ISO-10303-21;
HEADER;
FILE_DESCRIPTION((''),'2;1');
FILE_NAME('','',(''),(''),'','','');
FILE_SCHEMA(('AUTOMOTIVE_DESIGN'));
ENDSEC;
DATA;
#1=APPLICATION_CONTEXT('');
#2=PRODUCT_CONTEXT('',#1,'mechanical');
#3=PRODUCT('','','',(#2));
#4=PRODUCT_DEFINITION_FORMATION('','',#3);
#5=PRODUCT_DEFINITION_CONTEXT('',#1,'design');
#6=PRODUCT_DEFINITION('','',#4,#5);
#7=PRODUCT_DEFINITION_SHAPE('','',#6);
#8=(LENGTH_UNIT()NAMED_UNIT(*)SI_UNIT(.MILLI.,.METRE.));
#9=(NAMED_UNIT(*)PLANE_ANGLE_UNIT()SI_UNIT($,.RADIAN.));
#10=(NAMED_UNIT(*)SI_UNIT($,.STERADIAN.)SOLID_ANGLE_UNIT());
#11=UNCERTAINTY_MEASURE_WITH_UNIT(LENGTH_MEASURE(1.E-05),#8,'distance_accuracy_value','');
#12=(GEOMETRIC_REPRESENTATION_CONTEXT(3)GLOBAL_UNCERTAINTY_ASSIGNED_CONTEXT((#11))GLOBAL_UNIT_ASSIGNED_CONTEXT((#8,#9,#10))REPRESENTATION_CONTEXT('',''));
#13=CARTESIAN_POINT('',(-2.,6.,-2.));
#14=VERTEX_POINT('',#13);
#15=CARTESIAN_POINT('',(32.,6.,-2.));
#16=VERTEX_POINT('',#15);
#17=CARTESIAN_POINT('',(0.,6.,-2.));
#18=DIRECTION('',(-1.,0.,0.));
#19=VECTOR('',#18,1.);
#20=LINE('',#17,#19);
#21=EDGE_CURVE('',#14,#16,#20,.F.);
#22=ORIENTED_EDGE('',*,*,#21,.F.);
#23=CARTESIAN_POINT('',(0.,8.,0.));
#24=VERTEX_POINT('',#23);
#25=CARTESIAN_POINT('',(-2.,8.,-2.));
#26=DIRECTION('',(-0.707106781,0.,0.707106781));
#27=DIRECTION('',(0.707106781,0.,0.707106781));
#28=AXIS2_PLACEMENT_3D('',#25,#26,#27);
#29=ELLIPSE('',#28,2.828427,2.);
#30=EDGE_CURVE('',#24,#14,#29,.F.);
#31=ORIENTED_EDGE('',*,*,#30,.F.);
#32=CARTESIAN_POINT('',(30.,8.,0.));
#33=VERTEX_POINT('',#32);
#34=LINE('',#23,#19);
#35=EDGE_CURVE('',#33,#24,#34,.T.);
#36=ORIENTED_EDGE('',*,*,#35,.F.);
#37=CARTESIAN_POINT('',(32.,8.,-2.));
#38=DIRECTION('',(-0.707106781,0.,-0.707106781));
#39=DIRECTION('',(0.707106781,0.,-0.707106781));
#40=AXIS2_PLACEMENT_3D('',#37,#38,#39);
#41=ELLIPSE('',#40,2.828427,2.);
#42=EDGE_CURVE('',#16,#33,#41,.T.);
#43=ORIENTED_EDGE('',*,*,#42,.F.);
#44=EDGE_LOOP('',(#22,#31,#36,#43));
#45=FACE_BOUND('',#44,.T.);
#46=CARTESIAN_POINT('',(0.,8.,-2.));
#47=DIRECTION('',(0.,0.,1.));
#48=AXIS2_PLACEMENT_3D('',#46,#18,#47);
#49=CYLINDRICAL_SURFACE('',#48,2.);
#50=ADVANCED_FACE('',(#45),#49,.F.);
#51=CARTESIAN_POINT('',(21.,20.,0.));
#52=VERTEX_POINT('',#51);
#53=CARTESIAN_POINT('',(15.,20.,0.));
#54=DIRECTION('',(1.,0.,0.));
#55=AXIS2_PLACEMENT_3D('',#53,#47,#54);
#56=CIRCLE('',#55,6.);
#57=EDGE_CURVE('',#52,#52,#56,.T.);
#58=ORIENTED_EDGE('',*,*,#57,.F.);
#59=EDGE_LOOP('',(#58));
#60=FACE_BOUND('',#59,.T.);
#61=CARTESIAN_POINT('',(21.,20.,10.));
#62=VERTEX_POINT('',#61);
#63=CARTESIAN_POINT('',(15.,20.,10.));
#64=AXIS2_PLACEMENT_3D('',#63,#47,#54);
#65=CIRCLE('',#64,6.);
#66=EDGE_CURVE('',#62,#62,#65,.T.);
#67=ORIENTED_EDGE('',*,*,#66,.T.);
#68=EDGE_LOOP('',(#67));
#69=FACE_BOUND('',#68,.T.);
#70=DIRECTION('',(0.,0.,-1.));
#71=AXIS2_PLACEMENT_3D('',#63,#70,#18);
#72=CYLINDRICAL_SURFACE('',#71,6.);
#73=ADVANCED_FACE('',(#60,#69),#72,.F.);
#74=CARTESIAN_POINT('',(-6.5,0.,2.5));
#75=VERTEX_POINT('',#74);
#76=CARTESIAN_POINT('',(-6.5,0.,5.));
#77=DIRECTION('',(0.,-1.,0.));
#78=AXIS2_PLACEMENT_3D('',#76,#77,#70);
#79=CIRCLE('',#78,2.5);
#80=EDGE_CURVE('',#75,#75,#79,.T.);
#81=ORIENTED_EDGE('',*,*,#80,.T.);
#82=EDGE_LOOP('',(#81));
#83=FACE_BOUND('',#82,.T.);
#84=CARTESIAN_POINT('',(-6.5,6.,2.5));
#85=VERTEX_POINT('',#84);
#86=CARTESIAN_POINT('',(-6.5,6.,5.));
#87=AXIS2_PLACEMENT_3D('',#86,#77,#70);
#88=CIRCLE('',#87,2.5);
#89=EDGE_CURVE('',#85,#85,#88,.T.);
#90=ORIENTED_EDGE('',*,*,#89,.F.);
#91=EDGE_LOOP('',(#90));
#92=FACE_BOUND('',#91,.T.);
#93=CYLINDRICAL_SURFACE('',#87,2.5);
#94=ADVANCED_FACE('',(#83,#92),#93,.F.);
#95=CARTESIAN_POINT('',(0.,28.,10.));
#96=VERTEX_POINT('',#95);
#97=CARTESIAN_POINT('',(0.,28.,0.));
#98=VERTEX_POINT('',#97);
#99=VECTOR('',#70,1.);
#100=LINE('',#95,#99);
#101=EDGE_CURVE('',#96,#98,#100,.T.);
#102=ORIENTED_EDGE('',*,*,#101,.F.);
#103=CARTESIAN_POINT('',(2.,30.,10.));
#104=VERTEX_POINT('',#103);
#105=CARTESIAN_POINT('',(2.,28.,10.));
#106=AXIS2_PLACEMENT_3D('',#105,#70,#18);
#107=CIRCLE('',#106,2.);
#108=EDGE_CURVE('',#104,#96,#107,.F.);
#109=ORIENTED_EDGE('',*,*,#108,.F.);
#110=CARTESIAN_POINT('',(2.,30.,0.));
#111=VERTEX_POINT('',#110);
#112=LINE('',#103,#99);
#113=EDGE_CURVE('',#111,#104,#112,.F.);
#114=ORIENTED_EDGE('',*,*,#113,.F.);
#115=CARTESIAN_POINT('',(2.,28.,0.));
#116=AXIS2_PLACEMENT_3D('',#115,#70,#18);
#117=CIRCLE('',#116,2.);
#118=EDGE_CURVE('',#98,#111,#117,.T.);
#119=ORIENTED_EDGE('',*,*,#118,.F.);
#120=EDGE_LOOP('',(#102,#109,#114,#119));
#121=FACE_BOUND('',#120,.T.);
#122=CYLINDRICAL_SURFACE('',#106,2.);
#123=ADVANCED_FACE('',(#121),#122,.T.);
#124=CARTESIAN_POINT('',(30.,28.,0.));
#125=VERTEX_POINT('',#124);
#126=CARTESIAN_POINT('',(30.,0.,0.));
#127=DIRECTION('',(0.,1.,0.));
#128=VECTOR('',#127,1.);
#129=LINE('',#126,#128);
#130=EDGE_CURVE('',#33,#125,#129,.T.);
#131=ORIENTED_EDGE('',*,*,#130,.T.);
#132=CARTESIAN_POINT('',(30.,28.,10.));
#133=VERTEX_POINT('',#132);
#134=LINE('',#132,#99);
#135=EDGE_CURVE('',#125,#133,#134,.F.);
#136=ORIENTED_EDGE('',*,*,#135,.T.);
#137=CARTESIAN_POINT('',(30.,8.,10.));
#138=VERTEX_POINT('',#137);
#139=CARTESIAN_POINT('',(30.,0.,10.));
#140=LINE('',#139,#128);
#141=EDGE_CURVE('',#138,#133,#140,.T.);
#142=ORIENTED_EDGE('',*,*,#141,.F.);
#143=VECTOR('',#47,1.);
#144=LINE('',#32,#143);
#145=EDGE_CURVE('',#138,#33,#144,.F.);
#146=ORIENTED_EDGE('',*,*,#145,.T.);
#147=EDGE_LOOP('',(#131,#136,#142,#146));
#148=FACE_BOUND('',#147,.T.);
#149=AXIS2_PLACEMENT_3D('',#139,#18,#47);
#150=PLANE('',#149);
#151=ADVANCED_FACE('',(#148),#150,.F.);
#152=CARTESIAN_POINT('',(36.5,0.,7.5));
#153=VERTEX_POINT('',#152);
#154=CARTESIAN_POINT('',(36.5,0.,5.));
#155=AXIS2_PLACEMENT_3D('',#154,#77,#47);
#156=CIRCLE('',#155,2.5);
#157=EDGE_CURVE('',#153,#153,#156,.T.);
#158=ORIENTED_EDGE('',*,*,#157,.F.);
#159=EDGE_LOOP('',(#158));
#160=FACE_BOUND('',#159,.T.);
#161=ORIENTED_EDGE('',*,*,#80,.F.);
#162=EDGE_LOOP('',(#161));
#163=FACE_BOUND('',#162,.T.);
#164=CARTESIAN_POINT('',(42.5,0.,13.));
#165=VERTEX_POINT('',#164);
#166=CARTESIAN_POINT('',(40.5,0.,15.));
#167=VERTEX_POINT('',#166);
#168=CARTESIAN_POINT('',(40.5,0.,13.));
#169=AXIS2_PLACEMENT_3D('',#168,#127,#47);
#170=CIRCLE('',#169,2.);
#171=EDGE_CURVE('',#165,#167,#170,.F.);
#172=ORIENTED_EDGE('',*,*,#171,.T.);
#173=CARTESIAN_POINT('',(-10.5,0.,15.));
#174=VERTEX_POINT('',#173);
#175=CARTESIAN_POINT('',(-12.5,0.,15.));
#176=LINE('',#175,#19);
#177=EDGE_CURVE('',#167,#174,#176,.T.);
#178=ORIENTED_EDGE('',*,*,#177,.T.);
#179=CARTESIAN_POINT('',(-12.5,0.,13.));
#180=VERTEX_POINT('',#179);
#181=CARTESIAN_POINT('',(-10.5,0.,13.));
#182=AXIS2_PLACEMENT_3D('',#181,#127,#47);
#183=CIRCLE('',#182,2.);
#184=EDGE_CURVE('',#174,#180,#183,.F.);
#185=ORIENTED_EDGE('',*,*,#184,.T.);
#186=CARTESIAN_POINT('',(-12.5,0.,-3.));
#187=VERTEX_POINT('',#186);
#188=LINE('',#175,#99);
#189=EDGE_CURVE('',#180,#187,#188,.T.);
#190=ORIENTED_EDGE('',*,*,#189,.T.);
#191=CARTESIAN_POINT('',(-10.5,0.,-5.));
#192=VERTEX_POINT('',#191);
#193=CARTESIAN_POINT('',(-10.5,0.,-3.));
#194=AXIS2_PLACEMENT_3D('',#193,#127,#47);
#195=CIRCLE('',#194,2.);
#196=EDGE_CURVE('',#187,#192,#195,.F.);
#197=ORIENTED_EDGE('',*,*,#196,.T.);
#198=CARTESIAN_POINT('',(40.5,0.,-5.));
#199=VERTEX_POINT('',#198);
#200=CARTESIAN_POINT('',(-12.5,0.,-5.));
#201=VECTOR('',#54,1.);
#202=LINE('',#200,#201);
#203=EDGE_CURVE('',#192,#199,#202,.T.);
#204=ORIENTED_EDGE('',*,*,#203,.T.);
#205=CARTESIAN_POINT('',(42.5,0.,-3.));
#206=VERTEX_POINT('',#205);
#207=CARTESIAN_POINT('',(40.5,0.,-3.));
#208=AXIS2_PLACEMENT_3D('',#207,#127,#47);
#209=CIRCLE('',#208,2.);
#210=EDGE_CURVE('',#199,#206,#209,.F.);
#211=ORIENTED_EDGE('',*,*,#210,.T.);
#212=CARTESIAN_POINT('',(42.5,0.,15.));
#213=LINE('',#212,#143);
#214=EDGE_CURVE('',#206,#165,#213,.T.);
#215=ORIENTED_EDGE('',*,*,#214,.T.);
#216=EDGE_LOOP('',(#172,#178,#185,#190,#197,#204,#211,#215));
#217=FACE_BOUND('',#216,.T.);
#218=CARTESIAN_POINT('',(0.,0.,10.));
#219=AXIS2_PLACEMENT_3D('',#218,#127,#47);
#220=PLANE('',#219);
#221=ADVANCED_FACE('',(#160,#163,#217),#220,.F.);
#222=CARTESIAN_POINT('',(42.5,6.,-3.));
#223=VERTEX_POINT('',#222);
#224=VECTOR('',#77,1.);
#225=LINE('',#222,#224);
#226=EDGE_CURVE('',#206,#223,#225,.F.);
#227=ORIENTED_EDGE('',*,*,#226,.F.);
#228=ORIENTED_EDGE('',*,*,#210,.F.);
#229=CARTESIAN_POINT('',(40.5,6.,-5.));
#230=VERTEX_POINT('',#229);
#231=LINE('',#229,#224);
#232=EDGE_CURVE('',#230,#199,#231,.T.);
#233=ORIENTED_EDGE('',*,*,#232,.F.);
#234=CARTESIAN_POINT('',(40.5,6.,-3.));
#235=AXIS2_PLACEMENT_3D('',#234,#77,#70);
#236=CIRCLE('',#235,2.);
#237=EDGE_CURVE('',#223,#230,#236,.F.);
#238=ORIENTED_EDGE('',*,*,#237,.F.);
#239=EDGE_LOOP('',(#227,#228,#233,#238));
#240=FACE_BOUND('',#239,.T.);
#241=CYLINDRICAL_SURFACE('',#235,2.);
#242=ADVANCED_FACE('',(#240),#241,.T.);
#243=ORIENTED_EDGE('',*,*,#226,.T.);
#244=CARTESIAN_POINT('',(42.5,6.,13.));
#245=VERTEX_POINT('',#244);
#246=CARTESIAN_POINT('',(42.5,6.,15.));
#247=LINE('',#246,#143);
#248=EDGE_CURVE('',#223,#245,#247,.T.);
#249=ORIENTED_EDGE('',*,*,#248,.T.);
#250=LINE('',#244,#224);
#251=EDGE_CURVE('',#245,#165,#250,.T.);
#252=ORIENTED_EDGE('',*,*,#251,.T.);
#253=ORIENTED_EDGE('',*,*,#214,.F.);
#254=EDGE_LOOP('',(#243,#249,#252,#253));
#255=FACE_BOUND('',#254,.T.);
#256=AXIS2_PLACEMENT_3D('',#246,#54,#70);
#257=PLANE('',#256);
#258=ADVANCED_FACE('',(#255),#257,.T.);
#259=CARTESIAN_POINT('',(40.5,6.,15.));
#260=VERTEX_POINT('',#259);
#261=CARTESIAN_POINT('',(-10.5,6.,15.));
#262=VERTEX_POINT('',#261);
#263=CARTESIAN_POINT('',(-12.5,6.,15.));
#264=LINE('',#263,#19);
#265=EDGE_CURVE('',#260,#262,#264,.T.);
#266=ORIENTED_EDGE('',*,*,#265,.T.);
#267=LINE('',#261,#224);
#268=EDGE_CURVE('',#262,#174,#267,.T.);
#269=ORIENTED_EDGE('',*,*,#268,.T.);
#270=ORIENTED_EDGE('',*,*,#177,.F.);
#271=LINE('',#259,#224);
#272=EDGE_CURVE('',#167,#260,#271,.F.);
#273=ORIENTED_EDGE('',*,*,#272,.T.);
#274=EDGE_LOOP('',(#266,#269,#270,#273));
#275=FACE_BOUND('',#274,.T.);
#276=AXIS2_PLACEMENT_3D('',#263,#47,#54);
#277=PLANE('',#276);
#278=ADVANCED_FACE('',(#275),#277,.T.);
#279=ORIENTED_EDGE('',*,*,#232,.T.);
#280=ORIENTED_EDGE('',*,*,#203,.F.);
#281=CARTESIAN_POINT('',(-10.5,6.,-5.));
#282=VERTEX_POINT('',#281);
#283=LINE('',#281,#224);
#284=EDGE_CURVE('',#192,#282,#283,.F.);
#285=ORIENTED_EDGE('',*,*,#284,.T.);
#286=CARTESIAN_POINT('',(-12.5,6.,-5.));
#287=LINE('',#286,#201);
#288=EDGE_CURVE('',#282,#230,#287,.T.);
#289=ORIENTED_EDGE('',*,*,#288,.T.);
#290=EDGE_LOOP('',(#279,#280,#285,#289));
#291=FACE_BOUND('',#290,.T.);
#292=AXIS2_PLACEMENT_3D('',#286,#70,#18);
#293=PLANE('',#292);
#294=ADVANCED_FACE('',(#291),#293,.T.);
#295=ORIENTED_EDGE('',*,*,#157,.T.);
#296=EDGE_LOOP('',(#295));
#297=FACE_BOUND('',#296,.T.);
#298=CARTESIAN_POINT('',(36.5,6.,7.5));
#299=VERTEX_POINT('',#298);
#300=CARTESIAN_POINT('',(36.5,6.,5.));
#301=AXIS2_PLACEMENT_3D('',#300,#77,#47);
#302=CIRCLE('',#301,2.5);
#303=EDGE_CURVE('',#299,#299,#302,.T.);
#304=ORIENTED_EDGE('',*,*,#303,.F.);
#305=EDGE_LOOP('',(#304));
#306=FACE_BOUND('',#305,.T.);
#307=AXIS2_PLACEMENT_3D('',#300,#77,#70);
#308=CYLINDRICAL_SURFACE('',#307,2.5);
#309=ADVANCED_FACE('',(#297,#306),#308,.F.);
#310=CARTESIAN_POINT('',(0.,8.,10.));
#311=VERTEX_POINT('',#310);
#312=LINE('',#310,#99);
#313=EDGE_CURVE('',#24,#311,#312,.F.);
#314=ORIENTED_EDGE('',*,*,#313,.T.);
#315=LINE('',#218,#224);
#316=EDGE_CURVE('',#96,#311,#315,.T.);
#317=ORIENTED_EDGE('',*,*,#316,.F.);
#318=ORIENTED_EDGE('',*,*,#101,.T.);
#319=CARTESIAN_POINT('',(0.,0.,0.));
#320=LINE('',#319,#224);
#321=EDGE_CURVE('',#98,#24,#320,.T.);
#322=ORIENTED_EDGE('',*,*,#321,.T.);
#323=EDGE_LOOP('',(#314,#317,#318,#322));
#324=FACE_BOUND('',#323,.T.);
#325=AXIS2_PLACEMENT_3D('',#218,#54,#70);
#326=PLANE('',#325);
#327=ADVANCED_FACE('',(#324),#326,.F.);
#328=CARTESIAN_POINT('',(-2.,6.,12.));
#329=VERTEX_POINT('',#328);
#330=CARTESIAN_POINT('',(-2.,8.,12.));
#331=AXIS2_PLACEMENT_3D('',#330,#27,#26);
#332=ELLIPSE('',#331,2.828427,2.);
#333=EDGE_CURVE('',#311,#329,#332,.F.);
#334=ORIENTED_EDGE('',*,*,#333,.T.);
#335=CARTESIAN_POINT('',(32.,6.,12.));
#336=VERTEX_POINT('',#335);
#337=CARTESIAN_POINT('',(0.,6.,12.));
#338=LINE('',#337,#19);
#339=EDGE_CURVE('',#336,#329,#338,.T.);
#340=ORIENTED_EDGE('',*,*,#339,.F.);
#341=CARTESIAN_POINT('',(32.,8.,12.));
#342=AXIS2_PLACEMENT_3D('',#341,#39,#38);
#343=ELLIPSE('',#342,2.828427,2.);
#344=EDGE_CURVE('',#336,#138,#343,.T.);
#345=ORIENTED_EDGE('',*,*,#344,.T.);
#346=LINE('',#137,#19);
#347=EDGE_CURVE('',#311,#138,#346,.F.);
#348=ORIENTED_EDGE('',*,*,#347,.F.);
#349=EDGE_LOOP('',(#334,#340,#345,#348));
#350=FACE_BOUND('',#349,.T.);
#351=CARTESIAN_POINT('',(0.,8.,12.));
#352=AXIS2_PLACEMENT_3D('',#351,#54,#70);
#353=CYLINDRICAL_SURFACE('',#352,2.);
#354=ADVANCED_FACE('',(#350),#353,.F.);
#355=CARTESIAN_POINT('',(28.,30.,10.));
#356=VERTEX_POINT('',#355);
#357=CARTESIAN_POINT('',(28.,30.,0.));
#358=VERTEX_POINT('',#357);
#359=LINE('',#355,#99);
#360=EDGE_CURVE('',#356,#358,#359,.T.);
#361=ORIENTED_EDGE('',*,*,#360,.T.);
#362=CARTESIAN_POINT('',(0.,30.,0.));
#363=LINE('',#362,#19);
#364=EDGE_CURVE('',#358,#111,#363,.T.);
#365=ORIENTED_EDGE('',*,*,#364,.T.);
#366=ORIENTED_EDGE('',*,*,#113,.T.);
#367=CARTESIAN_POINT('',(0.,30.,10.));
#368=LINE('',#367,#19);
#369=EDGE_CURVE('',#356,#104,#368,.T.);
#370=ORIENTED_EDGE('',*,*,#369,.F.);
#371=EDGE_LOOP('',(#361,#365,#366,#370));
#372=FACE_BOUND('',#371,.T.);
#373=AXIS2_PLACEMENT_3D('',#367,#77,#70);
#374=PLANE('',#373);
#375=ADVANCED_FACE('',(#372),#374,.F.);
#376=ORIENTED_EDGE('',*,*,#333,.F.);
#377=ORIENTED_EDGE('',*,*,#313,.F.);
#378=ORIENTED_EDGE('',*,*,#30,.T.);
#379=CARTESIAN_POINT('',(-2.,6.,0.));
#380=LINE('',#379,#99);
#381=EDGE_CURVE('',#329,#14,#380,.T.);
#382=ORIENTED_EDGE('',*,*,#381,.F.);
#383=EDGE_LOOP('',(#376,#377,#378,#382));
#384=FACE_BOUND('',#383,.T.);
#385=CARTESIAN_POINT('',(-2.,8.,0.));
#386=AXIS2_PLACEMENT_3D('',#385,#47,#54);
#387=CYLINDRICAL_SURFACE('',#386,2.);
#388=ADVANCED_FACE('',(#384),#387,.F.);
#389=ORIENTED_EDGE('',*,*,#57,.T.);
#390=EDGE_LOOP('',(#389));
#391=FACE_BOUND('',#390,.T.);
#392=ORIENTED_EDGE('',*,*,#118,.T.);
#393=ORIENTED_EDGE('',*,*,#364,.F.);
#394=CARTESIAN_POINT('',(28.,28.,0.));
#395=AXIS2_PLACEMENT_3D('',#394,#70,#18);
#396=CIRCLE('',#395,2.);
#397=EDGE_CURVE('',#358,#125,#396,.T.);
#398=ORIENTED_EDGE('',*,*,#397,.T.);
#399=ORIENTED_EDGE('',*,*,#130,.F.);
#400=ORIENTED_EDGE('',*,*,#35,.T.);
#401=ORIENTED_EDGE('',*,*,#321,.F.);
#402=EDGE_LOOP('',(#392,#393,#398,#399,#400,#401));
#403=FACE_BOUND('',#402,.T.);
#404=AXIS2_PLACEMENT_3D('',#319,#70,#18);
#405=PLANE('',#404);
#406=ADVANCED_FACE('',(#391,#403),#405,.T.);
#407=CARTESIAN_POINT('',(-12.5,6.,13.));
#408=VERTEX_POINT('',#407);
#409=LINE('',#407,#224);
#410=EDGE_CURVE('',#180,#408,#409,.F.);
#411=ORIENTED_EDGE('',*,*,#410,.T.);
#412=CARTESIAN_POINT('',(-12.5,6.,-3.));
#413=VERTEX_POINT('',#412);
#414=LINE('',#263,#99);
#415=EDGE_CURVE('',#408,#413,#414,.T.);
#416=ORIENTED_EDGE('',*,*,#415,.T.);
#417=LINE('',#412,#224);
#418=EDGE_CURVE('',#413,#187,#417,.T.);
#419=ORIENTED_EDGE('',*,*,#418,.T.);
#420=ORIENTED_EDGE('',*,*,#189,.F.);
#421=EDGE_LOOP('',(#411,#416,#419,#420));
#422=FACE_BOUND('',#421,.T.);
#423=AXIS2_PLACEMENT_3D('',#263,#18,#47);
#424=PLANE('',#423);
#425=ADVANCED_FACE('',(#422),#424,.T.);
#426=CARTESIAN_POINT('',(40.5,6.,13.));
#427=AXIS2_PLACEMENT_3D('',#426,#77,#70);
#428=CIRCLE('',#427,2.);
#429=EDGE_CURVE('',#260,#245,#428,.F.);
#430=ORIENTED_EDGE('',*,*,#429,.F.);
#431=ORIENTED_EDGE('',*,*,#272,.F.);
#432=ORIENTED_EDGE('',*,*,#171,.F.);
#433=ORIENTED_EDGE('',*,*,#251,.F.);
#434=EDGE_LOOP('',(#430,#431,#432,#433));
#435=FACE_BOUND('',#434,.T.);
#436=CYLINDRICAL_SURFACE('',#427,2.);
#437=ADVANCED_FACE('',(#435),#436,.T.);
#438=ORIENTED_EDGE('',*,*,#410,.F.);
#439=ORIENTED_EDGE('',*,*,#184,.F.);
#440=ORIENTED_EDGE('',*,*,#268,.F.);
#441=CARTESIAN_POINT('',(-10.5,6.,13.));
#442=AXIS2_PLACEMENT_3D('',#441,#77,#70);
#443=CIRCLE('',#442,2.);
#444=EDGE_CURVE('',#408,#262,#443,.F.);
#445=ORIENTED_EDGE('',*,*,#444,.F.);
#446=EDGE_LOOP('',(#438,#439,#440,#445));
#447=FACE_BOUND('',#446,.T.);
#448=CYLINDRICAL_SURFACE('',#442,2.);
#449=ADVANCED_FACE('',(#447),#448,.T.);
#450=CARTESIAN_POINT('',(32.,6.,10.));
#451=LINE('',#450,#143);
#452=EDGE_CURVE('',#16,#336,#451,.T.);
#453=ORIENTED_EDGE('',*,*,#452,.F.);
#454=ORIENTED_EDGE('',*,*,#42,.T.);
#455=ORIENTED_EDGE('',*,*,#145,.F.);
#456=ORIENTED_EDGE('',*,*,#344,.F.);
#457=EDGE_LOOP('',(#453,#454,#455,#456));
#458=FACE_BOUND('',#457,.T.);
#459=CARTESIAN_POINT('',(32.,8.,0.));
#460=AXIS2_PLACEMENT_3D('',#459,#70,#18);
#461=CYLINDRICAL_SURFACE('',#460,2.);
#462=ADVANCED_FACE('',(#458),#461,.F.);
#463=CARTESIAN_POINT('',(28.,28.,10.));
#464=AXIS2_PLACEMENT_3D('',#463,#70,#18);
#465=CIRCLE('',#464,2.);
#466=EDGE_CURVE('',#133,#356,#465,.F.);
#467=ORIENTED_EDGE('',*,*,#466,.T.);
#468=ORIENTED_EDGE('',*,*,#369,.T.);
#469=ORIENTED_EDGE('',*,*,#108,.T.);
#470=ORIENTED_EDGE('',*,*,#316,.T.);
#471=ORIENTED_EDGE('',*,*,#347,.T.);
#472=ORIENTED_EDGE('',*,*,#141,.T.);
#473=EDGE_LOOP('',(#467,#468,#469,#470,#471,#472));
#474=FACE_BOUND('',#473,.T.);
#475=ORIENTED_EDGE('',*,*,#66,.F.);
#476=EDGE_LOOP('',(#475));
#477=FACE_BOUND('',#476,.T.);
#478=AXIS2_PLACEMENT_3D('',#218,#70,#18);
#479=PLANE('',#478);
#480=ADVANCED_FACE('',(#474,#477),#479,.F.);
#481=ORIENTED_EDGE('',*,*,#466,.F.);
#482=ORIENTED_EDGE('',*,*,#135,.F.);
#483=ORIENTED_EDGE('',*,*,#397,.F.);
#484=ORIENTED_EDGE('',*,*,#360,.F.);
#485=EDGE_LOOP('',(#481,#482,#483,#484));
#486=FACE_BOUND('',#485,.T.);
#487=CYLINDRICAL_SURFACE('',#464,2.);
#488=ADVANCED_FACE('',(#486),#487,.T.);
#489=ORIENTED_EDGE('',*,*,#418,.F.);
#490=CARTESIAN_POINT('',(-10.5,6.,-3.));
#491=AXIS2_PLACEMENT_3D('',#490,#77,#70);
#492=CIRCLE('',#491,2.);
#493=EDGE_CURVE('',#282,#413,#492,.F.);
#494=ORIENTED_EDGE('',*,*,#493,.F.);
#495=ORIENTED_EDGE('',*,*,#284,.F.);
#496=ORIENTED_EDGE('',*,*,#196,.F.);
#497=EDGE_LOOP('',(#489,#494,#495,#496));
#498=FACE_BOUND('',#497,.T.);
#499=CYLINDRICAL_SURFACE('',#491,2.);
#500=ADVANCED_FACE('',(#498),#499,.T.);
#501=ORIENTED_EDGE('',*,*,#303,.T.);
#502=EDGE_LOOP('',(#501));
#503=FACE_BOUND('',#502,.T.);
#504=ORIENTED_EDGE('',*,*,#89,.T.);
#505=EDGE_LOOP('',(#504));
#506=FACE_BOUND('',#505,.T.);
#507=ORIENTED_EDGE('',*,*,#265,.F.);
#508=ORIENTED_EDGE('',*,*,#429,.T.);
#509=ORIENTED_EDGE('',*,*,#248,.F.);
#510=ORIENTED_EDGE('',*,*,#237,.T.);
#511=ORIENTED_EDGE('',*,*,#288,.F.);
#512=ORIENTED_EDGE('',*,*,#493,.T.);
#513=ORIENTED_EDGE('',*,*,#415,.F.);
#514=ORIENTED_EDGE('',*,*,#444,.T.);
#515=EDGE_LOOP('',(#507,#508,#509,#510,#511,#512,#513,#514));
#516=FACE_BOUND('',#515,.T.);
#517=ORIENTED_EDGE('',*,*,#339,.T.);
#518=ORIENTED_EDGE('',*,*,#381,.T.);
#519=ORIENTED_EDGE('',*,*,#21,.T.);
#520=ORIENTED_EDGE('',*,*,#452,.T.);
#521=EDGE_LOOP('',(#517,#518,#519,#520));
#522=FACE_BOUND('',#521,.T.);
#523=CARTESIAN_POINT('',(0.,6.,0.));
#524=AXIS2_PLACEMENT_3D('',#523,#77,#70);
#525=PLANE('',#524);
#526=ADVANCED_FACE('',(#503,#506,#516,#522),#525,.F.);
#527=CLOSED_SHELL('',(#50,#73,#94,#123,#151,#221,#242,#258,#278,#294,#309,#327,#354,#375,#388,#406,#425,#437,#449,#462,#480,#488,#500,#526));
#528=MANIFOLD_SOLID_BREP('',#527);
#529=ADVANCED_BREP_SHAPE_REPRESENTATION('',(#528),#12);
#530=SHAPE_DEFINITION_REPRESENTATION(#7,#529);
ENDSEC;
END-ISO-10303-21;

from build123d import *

# Parameters (mm, degrees)
SKETCH1_W           = 30
SKETCH1_H           = 30
SKETCH1_R           = 6
BOSS_EXTRUDE1_DEPTH = 10
SKETCH2_W           = 55
SKETCH2_H           = 20
SKETCH2_R           = 2.5
BOSS_EXTRUDE2_DEPTH = 6
FILLET1_R           = 2


with BuildPart() as part:
    # Sketch1 → Boss-Extrude1 (new body)
    with BuildSketch(Plane.XY):
        with Locations((15, 15)):
            Rectangle(SKETCH1_W, SKETCH1_H)
        with Locations((15, 20)):
            Circle(SKETCH1_R, mode=Mode.SUBTRACT)
    extrude(amount=BOSS_EXTRUDE1_DEPTH)

    # Sketch2 → Boss-Extrude2 (add)
    with BuildSketch(Plane(origin=(0, 0, 0), x_dir=(-1, 0, 0), z_dir=(0, -1, 0))):
        with Locations((-15, -5)):
            Rectangle(SKETCH2_W, SKETCH2_H)
        with Locations(Location((6.5, -5, 0), (0, 0, 90))):
            Circle(SKETCH2_R, mode=Mode.SUBTRACT)
        with Locations(Location((-36.5, -5, 0), (0, 0, 270))):
            Circle(SKETCH2_R, mode=Mode.SUBTRACT)
    extrude(amount=-BOSS_EXTRUDE2_DEPTH)

    # Fillet1
    fillet1_edges = [part.edges().sort_by_distance(p)[0] for p in [
        (30, 6, 5),
        (15, 6, 10),
        (0, 6, 5),
        (42.5, 3, 15),
        (42.5, 3, -5),
        (-12.5, 3, -5),
        (-12.5, 3, 15),
        (15, 6, 0),
        (0, 30, 5),
        (30, 30, 5),
    ]]
    fillet(fillet1_edges, radius=FILLET1_R)


solid = part.part
